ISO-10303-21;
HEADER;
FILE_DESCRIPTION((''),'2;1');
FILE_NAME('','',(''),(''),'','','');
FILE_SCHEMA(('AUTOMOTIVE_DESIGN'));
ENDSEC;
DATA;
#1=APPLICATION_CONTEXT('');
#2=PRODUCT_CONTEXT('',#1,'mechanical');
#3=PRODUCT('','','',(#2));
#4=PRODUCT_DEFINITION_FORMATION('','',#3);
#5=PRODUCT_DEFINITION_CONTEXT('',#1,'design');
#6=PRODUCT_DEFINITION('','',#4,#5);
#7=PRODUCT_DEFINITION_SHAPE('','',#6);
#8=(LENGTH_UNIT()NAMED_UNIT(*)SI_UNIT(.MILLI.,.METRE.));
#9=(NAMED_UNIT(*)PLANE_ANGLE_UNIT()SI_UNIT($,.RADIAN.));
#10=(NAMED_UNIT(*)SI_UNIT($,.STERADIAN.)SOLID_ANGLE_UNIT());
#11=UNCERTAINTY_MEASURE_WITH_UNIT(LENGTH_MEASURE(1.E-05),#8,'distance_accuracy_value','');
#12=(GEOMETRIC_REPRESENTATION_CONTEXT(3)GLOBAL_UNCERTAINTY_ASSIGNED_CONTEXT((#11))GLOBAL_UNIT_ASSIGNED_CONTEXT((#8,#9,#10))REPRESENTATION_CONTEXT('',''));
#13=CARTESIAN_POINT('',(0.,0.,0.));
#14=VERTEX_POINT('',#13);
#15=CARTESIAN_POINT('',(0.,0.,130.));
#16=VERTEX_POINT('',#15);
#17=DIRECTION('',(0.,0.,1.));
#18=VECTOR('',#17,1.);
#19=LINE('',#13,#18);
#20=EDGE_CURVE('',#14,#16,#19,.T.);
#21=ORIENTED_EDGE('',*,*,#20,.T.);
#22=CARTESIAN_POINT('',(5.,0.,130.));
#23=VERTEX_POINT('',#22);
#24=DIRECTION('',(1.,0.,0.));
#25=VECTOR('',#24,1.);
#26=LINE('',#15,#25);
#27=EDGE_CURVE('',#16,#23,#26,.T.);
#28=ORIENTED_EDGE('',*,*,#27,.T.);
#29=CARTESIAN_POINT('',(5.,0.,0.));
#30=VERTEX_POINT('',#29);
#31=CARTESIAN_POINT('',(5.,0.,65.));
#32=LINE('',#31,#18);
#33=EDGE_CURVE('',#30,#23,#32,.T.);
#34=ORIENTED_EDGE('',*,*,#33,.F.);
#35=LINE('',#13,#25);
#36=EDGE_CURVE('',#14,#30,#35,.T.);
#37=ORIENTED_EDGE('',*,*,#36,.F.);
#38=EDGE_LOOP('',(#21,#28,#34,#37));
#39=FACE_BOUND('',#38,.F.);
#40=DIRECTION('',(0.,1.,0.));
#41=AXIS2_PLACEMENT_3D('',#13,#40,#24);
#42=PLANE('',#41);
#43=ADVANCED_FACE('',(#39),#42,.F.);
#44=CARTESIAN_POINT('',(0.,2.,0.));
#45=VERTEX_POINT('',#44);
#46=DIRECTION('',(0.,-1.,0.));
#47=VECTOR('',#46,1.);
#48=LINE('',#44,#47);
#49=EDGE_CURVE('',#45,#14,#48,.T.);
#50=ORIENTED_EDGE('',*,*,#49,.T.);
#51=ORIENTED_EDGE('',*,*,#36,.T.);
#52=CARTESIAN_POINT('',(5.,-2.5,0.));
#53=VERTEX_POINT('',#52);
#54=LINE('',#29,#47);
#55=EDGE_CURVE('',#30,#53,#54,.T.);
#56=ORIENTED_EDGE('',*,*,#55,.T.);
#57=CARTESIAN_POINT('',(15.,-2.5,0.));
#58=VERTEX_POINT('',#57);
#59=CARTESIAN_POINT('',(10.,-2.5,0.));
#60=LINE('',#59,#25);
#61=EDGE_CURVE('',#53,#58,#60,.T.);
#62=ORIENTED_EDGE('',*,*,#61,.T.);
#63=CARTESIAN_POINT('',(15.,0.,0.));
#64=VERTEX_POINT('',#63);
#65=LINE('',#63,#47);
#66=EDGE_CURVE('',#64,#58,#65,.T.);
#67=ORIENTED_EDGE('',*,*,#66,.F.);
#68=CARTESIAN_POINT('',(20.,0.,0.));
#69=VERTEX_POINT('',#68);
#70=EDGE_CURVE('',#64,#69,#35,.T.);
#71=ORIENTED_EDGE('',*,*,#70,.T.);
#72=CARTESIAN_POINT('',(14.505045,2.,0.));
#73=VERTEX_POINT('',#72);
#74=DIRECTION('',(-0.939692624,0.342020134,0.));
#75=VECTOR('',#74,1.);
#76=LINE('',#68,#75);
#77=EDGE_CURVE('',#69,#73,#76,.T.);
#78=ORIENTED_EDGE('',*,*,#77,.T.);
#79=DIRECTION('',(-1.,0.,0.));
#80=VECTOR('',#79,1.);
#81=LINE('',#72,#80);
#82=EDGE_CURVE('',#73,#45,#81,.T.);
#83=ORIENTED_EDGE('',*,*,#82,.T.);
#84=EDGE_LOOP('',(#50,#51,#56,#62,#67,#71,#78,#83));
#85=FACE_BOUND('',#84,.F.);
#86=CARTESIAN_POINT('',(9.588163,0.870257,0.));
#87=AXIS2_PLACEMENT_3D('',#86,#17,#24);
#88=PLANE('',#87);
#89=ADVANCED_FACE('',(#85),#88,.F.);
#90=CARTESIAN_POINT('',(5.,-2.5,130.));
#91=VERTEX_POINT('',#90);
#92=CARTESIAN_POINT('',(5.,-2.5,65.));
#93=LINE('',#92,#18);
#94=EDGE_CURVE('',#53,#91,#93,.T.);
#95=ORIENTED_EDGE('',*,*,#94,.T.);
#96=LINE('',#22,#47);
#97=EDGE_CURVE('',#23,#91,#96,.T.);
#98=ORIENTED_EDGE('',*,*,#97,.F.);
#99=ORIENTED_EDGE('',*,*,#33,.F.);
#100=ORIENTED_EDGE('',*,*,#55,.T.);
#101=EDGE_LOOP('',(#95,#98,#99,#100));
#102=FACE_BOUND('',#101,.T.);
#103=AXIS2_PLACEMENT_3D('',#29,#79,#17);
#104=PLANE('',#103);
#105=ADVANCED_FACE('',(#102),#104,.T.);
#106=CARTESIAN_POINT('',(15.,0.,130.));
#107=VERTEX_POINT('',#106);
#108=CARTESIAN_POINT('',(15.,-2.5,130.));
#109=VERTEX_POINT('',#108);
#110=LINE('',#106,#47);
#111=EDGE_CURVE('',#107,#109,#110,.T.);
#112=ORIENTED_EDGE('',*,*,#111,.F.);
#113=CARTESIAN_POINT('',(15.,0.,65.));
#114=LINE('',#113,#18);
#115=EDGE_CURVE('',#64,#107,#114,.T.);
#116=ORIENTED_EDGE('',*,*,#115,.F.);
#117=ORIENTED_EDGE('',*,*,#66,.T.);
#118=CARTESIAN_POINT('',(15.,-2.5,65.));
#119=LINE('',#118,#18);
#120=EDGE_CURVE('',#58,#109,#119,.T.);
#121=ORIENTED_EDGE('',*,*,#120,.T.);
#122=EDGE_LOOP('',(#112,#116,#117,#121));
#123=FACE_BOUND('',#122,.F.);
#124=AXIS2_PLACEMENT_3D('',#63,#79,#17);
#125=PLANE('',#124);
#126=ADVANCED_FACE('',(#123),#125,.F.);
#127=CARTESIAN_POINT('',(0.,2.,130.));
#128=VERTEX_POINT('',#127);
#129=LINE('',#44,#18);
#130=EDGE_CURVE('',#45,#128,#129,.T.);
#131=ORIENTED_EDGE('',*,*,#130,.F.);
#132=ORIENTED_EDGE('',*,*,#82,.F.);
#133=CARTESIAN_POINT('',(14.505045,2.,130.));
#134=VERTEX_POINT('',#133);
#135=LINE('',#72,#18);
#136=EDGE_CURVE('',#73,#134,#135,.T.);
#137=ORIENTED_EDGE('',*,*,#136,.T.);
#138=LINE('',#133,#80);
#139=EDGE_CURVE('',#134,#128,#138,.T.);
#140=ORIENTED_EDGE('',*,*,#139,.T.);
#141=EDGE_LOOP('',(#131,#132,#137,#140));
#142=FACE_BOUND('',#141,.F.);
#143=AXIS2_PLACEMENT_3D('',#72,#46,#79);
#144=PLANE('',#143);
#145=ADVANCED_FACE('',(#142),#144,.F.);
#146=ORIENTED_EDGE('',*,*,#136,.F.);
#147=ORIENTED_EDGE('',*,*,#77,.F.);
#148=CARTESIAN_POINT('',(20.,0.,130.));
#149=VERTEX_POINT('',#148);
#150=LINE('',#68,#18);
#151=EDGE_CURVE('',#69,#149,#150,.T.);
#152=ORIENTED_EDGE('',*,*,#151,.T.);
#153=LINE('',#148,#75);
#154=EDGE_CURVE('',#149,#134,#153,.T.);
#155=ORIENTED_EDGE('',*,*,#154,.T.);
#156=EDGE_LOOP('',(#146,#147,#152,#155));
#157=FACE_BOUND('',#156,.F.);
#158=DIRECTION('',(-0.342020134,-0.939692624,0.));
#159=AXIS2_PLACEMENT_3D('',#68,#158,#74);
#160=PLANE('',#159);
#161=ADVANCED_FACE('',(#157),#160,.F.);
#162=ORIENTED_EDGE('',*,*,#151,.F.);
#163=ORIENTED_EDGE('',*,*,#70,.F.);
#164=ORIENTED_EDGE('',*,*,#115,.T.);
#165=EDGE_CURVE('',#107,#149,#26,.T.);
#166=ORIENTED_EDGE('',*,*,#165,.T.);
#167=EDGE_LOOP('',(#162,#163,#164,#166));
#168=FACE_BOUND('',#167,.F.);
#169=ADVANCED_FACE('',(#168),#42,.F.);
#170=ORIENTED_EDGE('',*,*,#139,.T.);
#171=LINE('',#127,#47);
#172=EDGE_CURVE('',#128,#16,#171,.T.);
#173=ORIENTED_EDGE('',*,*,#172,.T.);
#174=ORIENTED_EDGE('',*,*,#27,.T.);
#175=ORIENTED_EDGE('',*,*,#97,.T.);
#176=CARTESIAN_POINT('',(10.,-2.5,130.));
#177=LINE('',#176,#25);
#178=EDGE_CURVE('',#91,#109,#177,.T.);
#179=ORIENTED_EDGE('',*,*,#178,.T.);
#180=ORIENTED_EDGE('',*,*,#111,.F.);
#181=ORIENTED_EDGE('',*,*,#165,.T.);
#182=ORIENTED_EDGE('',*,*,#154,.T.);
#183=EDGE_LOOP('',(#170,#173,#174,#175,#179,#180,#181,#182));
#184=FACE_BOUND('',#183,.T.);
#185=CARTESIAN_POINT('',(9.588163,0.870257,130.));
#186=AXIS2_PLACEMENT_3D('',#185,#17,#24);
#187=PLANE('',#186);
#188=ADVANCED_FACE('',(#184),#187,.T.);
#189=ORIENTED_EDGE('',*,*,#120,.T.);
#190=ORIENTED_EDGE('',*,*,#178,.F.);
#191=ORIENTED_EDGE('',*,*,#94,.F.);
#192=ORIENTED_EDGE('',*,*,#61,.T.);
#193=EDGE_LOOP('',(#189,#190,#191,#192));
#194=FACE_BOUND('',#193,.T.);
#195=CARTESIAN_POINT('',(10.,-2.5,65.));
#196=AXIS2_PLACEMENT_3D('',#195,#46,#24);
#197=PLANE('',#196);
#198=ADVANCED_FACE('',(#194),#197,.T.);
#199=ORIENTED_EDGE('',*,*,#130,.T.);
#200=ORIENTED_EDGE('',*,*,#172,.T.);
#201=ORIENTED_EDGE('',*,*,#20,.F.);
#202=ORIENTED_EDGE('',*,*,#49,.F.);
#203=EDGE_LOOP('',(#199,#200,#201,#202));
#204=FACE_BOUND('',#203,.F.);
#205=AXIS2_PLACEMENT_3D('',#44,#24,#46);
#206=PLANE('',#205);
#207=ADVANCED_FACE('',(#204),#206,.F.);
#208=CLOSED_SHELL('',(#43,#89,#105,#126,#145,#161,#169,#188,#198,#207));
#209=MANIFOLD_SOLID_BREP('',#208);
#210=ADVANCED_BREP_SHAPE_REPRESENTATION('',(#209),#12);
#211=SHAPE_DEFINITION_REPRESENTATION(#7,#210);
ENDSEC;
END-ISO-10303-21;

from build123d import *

# Parameters (mm, degrees)
PAD_DEPTH    = 130
SKETCH001_W  = 10
SKETCH001_H  = 130
PAD001_DEPTH = 2.5


with BuildPart() as part:
    # Sketch → Pad (new body)
    with BuildSketch(Plane.XY):
        Polygon((0, 0), (20, 0), (14.505045, 2), (0, 2), align=None)
    extrude(amount=PAD_DEPTH)

    # Sketch001 (on Face1 of Pad) → Pad001 (join)
    with BuildSketch(Plane.XZ):
        with Locations((10, 65)):
            Rectangle(SKETCH001_W, SKETCH001_H)
    extrude(amount=PAD001_DEPTH)


solid = part.part
